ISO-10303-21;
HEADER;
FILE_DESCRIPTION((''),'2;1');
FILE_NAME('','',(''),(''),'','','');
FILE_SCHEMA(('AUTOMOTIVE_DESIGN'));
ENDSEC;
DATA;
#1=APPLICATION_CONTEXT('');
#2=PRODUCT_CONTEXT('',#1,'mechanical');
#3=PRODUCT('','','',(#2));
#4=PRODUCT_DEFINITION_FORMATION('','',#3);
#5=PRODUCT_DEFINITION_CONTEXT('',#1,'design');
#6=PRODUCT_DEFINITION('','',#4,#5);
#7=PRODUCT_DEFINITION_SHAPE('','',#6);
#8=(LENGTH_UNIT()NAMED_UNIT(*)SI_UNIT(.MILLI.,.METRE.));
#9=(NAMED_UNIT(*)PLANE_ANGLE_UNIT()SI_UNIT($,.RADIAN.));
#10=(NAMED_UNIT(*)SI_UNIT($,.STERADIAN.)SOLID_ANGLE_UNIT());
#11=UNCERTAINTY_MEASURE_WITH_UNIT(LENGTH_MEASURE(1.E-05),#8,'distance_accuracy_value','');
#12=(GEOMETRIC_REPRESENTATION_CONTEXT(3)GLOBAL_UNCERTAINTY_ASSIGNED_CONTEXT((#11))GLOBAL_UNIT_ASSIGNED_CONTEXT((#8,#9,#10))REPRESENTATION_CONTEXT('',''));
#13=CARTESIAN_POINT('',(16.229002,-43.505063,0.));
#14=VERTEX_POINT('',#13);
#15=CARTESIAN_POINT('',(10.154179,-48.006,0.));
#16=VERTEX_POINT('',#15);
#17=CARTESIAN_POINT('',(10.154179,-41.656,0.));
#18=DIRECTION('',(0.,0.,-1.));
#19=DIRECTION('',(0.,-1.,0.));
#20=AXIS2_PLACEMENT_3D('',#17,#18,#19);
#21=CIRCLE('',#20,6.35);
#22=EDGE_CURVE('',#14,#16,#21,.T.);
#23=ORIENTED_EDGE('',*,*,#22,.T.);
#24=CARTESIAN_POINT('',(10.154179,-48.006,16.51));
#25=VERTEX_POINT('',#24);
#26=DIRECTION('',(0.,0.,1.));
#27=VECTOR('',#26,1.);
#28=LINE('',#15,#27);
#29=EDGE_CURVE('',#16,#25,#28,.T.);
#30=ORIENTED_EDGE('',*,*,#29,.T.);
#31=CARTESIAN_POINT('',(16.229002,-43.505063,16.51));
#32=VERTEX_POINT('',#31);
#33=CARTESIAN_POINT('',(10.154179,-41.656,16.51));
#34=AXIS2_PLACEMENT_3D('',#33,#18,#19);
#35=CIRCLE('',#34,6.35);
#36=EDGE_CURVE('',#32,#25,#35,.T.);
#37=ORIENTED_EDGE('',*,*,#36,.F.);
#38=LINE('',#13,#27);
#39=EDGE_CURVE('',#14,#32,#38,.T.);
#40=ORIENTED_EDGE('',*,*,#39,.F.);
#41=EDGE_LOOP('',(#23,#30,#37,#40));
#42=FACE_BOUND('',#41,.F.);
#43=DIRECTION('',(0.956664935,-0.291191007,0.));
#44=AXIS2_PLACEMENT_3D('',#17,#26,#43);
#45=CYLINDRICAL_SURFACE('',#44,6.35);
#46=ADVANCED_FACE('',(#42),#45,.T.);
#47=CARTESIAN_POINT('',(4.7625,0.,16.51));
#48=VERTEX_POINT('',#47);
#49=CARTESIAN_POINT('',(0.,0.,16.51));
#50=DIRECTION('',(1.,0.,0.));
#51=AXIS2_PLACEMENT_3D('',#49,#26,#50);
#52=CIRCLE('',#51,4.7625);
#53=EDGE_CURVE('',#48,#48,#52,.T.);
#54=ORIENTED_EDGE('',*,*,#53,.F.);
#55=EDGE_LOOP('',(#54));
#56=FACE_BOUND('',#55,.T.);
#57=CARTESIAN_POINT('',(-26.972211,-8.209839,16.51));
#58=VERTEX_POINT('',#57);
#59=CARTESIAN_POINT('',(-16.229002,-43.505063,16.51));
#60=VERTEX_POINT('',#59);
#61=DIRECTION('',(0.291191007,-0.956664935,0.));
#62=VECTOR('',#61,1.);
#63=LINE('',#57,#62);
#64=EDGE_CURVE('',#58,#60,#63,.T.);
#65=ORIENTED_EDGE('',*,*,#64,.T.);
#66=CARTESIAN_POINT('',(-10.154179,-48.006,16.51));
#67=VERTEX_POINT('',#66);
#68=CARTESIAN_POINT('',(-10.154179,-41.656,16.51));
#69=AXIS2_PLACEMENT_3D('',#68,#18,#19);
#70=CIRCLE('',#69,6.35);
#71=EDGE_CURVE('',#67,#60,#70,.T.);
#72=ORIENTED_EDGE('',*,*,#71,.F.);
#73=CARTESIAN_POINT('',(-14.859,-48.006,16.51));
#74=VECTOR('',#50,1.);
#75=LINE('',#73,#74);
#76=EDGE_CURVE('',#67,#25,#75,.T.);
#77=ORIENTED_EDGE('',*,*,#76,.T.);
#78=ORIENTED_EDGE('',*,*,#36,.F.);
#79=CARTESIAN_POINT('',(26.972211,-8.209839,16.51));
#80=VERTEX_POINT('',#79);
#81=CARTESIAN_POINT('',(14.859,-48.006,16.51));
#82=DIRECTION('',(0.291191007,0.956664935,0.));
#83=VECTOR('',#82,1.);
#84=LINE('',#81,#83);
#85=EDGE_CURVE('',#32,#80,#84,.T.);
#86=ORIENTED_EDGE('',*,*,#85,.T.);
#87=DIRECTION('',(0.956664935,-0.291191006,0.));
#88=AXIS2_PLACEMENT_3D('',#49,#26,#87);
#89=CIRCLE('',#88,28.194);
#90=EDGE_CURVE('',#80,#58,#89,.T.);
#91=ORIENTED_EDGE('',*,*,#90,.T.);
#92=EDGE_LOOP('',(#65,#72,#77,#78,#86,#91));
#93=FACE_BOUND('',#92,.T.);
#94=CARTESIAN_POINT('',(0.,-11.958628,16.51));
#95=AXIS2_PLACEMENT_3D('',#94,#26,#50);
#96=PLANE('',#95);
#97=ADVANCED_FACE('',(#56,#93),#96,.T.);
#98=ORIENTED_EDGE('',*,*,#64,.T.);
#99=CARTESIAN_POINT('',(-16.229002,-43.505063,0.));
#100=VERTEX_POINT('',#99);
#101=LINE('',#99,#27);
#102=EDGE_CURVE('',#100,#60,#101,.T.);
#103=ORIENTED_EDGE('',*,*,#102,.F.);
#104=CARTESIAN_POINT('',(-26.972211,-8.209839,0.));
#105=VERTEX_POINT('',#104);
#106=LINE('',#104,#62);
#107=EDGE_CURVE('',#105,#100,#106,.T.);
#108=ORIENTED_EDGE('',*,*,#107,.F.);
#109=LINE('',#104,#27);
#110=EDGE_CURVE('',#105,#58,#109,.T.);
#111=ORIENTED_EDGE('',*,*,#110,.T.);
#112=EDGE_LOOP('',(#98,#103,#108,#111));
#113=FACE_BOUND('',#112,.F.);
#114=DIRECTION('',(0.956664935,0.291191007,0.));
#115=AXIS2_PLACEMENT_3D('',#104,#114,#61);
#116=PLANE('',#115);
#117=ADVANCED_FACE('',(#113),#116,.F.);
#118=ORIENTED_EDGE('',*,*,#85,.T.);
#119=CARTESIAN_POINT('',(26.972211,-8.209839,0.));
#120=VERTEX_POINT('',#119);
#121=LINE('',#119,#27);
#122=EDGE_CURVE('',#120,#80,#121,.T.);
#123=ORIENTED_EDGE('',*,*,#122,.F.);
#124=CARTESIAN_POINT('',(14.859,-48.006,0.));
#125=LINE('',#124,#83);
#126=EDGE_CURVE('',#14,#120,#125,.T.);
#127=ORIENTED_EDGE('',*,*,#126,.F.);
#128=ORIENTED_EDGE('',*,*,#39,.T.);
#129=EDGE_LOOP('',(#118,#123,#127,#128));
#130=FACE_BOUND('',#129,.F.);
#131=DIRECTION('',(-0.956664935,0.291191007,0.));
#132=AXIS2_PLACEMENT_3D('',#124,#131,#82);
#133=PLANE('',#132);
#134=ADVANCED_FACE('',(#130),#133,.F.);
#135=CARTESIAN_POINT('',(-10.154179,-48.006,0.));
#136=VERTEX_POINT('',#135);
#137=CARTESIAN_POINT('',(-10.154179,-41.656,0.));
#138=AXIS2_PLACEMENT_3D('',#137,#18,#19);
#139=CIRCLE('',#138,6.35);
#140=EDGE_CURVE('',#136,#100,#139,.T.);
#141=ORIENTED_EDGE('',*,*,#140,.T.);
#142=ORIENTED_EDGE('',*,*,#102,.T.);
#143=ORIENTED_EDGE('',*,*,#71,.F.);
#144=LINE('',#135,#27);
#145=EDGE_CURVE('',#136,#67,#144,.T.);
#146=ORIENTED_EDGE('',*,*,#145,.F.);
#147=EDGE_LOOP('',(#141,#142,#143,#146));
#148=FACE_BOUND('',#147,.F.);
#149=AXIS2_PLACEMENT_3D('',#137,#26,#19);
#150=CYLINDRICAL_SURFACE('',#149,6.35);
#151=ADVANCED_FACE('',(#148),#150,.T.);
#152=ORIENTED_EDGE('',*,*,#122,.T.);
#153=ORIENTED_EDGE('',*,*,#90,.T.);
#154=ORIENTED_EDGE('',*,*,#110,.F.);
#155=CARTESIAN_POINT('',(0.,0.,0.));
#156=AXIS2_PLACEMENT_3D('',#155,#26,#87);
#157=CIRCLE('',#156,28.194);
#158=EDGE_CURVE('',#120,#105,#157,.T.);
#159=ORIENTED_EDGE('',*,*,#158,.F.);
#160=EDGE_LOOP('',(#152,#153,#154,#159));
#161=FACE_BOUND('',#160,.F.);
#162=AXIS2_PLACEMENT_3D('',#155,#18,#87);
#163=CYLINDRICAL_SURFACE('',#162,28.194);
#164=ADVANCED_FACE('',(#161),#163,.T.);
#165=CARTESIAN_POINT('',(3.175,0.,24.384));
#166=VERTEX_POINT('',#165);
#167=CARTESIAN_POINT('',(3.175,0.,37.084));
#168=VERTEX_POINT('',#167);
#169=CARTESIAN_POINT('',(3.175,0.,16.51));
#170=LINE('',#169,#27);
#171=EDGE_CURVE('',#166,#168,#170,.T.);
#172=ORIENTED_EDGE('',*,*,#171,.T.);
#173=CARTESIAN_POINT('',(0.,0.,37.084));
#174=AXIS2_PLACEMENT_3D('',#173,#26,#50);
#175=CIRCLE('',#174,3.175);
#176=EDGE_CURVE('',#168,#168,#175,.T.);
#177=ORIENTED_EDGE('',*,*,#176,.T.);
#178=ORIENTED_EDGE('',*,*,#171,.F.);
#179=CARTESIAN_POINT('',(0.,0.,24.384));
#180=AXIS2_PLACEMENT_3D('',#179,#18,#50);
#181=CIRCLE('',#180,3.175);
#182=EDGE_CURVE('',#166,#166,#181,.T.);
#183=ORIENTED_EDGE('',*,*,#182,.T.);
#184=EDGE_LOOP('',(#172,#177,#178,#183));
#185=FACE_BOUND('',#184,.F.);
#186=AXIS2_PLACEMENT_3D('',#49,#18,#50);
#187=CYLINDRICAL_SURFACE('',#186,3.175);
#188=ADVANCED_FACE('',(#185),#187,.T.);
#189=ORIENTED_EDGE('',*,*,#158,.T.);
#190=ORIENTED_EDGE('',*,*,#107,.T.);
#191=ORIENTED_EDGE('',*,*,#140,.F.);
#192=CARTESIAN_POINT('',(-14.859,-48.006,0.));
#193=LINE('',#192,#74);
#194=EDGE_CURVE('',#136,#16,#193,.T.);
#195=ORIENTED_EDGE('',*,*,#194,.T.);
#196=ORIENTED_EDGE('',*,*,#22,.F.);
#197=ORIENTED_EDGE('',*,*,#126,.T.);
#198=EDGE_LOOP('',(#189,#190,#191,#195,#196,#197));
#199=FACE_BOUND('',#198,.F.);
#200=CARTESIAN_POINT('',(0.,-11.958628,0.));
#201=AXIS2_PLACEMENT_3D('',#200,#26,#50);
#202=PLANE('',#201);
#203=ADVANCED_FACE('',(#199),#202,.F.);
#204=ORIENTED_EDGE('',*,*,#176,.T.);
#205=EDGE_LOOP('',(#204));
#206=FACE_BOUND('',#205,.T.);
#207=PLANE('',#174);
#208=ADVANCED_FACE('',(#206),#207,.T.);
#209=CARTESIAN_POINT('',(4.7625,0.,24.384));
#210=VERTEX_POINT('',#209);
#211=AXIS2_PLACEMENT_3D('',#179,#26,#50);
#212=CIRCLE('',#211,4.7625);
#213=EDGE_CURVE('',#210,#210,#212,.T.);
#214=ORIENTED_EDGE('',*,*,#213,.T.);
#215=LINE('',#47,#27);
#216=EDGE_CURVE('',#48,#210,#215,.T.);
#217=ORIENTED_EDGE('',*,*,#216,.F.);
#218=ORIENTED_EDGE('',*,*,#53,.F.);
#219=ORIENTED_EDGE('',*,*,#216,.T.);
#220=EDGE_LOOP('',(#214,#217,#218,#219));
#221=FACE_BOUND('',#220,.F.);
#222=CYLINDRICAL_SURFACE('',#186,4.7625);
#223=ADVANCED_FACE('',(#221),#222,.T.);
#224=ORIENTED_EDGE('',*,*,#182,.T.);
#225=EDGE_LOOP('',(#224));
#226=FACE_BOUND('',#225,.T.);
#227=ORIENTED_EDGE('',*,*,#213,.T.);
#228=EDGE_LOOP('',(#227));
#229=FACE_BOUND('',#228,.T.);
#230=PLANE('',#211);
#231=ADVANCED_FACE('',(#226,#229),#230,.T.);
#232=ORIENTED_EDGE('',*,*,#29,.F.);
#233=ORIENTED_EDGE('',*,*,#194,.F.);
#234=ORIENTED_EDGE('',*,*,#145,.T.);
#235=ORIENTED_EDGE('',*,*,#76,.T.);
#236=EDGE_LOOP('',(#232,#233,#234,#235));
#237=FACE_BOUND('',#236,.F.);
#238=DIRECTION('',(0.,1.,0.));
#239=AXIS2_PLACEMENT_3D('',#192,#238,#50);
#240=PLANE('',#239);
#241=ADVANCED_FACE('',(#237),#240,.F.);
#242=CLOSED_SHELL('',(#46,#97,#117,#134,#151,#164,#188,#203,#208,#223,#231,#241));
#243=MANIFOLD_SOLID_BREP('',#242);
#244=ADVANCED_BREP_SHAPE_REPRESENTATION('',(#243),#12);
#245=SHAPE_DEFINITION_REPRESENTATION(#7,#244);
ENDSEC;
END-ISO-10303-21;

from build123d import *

# Parameters (mm, degrees)
F1_DEPTH = 16.51
F2_R     = 3.175
F3_DEPTH = 20.574
F4_R     = 4.7625
F5_DEPTH = 7.874
F6_R     = 6.35


with BuildPart() as f1:
    # F0 (on Top) → F1 (new body)
    with BuildSketch(Plane.XY):
        with BuildLine():
            Line((14.859, -48.006), (26.972211, -8.209839))
            ThreePointArc((26.972211, -8.209839), (0, 28.194), (-26.972211, -8.209839))
            Line((-26.972211, -8.209839), (-14.859, -48.006))
            Line((-14.859, -48.006), (14.859, -48.006))
        make_face()
    extrude(amount=F1_DEPTH)

    # F2 (on face) → F3 (join)
    with BuildSketch(Plane.XY.offset(16.51)):
        Circle(F2_R)
    extrude(amount=F3_DEPTH)

    # F4 (on face) → F5 (join)
    with BuildSketch(Plane.XY.offset(16.51)):
        Circle(F4_R)
    extrude(amount=F5_DEPTH)

    # F6
    f6_edges = [f1.edges().sort_by_distance(p)[0] for p in [
        (-14.859, -48.006, 8.255),
        (14.859, -48.006, 8.255),
    ]]
    fillet(f6_edges, radius=F6_R)


solid = f1.part
